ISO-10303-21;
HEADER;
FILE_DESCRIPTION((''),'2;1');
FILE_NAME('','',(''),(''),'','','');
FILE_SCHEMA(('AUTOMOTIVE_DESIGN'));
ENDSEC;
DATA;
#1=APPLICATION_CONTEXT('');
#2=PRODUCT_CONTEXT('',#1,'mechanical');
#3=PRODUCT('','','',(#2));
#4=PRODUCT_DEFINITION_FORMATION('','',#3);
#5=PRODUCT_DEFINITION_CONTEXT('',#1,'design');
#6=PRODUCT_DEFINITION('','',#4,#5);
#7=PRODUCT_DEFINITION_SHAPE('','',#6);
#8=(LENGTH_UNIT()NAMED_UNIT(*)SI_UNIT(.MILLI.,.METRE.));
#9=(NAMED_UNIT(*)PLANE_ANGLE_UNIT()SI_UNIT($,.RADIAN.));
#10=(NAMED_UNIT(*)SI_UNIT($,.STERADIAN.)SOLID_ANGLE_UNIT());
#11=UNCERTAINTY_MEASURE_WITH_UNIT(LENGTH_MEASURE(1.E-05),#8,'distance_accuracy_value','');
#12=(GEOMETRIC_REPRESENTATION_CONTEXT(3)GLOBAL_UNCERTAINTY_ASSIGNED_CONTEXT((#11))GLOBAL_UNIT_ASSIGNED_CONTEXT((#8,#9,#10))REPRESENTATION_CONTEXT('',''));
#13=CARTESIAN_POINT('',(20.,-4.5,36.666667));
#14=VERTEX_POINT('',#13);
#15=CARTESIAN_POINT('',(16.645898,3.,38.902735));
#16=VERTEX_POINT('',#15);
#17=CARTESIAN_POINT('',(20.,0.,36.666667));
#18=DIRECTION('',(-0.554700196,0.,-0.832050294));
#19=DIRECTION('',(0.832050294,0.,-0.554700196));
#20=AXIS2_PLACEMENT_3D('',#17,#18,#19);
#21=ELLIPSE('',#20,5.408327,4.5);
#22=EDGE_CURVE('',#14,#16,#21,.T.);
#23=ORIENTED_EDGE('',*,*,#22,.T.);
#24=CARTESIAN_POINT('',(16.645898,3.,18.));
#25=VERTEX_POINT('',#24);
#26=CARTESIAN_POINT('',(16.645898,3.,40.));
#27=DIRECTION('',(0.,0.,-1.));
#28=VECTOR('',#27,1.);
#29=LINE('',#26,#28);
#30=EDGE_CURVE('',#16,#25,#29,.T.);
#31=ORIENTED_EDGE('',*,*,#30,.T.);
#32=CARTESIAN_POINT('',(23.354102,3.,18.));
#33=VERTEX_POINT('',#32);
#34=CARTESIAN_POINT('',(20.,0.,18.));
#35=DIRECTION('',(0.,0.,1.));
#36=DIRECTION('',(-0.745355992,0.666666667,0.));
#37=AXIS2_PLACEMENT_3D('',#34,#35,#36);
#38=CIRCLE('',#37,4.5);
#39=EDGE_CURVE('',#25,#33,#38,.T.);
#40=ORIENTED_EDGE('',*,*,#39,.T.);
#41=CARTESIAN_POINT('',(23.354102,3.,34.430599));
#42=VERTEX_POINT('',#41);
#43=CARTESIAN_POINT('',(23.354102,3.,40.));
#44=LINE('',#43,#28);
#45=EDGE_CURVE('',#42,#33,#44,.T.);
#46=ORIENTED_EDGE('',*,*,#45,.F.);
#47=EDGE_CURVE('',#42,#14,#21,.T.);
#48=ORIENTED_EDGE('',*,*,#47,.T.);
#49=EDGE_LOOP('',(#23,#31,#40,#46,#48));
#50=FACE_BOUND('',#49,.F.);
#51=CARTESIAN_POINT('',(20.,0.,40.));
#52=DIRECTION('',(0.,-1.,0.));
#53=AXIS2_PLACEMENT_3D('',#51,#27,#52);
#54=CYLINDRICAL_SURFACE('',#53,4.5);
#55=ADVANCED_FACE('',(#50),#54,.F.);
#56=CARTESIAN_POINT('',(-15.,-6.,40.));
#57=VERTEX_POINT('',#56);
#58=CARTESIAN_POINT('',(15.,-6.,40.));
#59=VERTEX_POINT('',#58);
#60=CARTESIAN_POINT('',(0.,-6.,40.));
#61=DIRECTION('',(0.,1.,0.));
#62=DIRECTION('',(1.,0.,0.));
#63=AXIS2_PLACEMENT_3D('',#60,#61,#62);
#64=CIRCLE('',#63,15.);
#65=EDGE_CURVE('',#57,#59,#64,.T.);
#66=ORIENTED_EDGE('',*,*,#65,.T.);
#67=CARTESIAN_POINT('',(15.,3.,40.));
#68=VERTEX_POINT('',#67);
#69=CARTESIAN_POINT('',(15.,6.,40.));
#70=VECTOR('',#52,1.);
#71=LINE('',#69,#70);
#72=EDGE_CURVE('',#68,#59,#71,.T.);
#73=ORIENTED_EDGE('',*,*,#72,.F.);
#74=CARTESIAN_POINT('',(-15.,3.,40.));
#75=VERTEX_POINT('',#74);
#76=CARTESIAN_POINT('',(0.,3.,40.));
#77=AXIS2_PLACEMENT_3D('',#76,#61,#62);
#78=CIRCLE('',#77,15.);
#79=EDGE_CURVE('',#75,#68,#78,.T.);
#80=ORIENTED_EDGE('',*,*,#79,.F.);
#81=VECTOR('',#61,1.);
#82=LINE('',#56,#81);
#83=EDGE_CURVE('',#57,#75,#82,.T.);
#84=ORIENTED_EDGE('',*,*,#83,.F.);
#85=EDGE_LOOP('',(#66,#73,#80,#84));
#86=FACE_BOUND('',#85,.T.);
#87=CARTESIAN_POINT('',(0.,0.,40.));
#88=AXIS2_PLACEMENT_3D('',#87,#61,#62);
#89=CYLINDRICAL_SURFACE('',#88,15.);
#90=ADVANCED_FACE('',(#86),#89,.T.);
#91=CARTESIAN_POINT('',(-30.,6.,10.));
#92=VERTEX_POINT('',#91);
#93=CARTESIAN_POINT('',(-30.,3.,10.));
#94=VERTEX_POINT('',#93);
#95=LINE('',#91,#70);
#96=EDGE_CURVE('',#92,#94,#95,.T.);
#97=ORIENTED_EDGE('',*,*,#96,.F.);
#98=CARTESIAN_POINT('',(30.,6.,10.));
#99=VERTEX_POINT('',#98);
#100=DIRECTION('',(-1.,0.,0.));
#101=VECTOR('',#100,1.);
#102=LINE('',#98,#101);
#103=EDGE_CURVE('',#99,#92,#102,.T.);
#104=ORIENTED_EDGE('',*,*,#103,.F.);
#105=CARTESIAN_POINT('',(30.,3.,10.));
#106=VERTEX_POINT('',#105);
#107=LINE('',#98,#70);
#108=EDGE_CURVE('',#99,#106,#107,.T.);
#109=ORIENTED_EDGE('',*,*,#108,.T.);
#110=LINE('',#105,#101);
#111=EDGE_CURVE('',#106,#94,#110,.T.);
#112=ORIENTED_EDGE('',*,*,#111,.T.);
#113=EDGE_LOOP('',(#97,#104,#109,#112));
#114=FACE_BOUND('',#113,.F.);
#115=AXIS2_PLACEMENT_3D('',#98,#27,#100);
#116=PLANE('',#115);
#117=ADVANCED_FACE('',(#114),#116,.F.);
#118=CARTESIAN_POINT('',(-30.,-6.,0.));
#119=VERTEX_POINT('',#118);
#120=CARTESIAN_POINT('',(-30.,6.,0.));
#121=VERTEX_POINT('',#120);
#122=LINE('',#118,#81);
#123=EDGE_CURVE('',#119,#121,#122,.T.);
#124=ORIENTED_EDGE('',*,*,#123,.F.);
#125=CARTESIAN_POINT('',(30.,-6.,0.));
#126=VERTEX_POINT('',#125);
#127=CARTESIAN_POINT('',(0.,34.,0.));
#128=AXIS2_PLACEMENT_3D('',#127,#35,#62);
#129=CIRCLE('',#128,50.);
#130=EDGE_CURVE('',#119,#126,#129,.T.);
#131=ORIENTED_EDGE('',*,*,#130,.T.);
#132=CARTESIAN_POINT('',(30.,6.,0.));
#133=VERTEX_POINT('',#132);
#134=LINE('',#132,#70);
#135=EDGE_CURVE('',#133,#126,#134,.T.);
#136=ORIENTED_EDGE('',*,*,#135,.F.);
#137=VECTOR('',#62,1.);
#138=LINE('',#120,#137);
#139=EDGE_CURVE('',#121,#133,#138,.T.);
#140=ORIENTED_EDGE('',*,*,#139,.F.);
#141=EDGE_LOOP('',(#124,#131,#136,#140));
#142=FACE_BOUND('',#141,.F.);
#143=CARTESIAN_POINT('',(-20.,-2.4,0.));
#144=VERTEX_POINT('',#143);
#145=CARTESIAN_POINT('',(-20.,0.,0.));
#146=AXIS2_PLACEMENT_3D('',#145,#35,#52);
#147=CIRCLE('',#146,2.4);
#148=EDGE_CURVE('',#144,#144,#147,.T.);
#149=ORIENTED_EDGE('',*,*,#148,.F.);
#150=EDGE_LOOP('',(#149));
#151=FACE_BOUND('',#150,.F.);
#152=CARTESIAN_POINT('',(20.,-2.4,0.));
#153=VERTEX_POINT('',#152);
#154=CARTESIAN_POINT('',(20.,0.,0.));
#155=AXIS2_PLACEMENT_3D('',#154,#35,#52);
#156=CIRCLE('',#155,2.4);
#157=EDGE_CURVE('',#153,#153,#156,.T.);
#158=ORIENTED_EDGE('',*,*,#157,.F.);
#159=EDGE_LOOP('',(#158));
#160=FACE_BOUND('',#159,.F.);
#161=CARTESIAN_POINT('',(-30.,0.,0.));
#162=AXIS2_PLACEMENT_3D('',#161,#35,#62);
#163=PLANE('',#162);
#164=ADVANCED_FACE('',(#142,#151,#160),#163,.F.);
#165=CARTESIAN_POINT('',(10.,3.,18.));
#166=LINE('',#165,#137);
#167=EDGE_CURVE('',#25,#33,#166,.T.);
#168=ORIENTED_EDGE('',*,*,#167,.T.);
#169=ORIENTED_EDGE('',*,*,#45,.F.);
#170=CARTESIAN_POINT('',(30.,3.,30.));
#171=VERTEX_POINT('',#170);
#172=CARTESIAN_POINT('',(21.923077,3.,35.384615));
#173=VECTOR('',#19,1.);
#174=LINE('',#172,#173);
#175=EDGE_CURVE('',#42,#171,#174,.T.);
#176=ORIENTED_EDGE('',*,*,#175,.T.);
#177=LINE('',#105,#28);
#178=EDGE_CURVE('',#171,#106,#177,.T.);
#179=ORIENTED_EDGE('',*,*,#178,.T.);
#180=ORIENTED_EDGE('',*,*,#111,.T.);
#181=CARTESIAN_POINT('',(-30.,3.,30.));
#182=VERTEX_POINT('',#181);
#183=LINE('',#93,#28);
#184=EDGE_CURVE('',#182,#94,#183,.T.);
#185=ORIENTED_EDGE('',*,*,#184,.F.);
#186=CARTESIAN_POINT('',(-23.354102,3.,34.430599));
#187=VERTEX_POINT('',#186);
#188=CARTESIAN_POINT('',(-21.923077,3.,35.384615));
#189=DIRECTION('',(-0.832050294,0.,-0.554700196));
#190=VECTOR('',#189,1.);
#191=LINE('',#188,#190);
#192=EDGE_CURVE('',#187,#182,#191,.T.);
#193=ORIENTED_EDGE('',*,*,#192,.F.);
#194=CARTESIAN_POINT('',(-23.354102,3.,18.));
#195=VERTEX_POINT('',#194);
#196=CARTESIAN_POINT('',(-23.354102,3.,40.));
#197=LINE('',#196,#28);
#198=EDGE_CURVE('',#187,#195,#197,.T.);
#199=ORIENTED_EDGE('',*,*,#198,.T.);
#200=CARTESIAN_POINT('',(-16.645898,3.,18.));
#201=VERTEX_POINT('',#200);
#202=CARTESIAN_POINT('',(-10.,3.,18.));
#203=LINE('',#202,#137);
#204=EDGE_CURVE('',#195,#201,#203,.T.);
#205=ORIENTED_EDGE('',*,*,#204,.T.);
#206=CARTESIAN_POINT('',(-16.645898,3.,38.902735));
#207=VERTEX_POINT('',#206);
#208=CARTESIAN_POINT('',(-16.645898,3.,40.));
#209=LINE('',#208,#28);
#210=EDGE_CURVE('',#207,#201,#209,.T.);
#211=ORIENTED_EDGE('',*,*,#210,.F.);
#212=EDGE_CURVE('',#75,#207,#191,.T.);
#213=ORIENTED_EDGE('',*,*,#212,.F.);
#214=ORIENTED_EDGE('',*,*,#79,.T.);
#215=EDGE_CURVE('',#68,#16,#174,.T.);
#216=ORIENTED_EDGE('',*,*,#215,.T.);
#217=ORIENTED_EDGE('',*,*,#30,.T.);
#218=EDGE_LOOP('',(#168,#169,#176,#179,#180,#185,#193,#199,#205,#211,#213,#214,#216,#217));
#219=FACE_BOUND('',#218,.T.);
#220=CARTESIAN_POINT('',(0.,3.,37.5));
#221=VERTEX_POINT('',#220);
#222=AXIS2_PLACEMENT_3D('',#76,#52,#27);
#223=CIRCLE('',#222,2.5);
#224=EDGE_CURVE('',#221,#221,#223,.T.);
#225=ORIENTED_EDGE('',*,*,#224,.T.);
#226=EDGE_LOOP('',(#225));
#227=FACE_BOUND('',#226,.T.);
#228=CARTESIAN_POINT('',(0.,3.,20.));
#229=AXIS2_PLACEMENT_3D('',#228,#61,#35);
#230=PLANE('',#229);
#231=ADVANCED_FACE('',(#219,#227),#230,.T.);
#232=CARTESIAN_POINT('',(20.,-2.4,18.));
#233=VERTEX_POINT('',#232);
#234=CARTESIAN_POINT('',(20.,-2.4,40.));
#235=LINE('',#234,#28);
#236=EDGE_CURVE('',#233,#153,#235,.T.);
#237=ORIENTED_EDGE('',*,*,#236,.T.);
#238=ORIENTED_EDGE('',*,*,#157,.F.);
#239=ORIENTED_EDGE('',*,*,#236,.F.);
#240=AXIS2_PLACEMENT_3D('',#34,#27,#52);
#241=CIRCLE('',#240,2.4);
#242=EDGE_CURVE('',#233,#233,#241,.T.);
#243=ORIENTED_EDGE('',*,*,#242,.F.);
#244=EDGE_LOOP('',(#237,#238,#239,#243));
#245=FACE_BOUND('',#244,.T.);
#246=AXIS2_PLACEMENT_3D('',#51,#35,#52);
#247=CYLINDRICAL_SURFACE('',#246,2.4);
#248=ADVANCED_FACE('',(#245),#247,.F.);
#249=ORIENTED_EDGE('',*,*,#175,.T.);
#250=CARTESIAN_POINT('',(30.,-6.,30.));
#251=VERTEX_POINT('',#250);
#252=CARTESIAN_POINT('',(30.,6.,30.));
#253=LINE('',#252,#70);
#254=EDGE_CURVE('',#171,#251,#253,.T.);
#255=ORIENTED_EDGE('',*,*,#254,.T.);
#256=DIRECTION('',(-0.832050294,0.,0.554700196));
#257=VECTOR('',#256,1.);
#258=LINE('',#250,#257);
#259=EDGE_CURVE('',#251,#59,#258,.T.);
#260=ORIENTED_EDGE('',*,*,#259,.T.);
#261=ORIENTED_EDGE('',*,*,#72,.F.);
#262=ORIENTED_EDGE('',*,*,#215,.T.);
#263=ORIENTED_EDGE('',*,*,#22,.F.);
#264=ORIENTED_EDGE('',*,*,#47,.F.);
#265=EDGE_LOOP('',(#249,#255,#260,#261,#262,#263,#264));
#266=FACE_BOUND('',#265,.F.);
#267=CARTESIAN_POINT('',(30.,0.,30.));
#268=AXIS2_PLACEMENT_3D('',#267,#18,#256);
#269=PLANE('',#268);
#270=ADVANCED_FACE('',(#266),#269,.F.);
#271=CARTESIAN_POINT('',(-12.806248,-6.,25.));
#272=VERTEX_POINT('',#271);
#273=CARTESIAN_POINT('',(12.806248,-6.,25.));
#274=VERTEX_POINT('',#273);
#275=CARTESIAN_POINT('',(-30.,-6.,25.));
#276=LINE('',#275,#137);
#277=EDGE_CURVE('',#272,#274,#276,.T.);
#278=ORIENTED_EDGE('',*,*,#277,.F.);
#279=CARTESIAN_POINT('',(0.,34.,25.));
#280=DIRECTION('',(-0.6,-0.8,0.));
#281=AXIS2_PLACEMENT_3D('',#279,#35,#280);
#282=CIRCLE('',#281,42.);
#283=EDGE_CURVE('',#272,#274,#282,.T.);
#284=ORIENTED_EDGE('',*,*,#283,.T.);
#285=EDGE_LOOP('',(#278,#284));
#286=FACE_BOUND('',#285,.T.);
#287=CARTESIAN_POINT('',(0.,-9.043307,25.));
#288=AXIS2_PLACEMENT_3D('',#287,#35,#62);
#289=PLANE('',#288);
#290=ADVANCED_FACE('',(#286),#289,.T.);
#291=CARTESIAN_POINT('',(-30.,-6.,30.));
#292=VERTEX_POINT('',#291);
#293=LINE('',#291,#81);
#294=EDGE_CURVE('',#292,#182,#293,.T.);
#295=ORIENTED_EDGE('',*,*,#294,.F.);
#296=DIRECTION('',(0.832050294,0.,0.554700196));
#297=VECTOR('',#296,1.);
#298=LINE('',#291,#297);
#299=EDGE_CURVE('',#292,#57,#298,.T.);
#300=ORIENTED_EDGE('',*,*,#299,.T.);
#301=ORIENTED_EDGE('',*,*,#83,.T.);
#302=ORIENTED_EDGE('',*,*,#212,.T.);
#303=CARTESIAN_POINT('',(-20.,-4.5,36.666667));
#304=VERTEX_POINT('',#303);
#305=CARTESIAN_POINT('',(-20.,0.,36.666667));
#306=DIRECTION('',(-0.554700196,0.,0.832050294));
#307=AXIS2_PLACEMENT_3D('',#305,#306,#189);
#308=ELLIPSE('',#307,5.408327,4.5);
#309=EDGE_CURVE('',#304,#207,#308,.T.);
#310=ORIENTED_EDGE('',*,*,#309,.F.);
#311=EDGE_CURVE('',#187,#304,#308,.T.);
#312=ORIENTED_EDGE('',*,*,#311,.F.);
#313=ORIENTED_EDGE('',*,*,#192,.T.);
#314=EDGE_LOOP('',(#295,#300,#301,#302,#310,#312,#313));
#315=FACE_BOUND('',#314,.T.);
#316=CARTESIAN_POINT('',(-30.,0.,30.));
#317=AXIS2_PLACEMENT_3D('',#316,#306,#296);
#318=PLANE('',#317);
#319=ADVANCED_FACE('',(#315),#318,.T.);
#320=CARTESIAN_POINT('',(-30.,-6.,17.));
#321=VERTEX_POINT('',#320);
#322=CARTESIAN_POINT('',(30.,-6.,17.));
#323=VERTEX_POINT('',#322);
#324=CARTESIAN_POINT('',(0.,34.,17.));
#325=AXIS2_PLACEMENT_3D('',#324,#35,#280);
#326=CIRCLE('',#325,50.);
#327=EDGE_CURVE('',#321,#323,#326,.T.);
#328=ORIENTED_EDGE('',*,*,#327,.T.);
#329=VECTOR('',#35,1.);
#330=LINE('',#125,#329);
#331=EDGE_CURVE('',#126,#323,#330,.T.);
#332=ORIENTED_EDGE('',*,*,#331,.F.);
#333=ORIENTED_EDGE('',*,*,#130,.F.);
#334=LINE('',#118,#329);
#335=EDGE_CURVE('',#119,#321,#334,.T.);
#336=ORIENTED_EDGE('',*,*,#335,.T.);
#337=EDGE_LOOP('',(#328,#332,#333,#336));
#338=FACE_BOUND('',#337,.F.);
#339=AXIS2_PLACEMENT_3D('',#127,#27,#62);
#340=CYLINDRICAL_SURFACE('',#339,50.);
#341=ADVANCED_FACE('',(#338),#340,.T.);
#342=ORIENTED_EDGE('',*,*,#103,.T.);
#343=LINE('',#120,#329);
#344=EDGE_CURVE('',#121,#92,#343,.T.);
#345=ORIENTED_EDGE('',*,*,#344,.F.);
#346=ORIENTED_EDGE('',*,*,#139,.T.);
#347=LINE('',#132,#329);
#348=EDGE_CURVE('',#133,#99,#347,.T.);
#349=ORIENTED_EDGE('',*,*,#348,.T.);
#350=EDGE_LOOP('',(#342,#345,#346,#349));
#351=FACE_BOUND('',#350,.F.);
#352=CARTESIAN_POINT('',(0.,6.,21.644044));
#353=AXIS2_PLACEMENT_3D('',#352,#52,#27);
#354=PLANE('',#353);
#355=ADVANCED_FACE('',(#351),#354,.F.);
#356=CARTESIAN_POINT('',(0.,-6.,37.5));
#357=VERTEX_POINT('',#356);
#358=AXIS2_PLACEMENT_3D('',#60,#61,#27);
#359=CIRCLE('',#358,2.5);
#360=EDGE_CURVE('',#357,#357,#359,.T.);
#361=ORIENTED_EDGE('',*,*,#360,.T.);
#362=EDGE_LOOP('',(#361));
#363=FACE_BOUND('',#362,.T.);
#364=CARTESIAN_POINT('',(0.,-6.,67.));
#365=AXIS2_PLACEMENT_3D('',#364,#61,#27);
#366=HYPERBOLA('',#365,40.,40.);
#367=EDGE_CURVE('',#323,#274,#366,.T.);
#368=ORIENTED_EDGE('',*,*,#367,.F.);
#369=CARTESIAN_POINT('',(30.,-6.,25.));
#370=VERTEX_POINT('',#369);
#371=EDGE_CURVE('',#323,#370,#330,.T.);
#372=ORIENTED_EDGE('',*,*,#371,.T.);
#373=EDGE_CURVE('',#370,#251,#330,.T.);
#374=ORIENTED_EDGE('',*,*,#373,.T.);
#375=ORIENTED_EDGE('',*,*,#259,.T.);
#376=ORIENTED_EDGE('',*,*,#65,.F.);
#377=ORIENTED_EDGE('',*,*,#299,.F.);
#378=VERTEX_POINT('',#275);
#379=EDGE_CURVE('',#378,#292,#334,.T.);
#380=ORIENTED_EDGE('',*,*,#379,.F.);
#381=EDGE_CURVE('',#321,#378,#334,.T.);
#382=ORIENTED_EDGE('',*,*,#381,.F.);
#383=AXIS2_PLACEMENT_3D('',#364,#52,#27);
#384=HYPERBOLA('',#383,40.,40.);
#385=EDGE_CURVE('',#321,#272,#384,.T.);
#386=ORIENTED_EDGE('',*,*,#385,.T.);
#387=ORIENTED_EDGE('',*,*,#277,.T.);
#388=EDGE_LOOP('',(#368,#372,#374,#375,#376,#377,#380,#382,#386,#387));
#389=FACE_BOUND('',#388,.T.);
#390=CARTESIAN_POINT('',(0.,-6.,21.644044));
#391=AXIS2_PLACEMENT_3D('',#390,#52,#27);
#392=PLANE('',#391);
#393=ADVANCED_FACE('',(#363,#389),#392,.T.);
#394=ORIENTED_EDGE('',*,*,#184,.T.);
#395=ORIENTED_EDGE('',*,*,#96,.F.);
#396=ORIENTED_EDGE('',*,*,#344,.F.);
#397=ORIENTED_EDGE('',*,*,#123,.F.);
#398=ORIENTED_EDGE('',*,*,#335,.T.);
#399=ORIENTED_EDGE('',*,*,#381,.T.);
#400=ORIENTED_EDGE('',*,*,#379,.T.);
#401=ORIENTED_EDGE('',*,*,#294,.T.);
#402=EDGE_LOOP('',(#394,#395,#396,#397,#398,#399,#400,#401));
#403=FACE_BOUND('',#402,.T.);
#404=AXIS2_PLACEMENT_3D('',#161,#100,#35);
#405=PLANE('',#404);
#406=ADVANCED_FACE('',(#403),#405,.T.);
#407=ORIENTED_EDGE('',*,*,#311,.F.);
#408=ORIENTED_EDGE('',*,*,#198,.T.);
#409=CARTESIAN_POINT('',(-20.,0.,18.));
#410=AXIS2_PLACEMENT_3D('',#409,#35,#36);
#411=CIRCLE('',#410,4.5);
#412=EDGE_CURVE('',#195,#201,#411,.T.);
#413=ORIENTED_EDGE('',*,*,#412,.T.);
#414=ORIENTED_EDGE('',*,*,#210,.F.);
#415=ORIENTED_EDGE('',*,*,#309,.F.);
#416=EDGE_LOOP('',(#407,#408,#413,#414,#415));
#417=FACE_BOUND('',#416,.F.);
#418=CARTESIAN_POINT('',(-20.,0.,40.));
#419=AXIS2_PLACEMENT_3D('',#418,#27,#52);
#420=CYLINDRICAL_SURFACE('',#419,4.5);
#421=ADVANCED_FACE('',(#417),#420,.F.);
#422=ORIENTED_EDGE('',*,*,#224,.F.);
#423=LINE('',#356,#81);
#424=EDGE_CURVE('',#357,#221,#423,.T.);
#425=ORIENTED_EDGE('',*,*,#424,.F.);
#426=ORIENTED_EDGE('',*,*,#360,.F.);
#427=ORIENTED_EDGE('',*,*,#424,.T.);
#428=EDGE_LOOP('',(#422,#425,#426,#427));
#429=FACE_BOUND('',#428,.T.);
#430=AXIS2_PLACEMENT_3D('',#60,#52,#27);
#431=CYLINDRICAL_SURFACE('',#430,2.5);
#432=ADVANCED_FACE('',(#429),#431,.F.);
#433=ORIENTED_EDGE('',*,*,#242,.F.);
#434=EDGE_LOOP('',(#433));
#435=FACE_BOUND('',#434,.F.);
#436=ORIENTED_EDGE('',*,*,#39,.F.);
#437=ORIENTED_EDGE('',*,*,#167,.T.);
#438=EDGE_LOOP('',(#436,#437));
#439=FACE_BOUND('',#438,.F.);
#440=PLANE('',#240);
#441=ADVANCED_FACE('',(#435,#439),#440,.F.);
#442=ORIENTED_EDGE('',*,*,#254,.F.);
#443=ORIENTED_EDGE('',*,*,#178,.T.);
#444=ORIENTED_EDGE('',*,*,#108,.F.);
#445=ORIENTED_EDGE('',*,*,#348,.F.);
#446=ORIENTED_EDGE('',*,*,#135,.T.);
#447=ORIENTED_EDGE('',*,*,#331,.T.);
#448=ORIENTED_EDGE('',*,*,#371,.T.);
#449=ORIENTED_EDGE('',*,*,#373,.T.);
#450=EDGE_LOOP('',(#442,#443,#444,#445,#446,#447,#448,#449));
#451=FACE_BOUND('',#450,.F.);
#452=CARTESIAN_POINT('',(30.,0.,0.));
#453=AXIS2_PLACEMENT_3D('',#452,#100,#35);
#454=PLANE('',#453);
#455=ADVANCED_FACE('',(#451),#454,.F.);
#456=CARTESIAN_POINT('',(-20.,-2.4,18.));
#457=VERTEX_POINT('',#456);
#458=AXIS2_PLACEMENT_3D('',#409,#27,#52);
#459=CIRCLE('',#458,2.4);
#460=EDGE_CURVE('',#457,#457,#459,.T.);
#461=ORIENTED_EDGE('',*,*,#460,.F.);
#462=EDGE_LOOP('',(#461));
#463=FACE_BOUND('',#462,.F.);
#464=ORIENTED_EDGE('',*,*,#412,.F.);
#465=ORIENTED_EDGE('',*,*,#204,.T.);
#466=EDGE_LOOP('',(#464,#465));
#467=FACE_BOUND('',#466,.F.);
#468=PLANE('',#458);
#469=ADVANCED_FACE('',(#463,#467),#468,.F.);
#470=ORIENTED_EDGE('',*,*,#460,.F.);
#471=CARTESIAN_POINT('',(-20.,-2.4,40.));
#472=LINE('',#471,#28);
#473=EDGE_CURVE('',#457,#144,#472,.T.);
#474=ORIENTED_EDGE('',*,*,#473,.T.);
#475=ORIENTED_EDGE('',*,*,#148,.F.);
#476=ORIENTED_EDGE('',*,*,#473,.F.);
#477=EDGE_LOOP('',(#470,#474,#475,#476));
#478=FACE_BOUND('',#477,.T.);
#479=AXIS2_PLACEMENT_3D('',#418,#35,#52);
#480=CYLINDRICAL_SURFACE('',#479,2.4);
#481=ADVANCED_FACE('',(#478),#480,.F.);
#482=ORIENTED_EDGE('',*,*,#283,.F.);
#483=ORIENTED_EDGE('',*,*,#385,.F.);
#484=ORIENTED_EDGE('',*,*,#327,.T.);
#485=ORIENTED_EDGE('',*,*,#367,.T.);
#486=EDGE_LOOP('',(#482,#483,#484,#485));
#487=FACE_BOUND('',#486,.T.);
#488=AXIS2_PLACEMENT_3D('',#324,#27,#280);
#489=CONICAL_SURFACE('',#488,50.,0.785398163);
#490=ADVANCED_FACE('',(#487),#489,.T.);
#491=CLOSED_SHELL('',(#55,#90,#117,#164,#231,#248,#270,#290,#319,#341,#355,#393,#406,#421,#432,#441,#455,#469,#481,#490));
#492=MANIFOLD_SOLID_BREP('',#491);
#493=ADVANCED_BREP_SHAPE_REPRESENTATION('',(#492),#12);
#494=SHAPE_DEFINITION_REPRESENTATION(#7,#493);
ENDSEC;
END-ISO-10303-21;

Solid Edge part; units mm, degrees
sketch "Sketch1" plane through (0, 0, 0) normal (0, -1, 0) x (1, 0, 0)
  line L0 (-30, 0) -> (30, 0)
  line L1 (30, 0) -> (30, 30)
  line L2 (30, 30) -> (15, 40)
  arc A0 (-15, 40) -> (15, 40) centre (0, 40) cw
  line L3 (-30, 30) -> (-15, 40)
  line L4 (-30, 0) -> (-30, 30)
  dimension "D1" = 60
  dimension "D2" = 30
  dimension "D3" = 15
  dimension "D4" = 40
extrude "Protrusion1" add sketch "Sketch1" along normal mid plane 12
hole "Hole_1" at (0, -6, 40) direction (0, 1, 0) diameter 5 end up to next
hole "Hole_2" at (-20, 0, 40) direction (0, 0, -1) diameter 4.8 end up to next counterbore diameter 9 counterbore depth 22
hole "Hole1" at (20, 0, 40) direction (0, 0, -1) diameter 4.8 end up to next counterbore diameter 9 counterbore depth 22
sketch "Sketch2" plane through (0, 6, 20) normal (0, 1, 0) x (-1, 0, 0)
  line L0 (-30, -10) -> (30, -10)
  dimension "D1" = 10
extrude "ExtrudedCutout_1" cut sketch "Sketch2" against normal blind 3 material side at (0, 6, 10.05)
sketch "Sketch3" plane through (0, 0, 0) normal (0, 0, -1) x (1, 0, 0)
  arc A0 (-30, 6) -> (30, 6) centre (0, -34) cw
  line L0 (-30, 6) -> (30, 6)
  dimension "D1" = 50
extrude "ExtrudedProtrusion_2" add sketch "Sketch3" against normal blind 25
chamfer "Chamfer_1" distance 8 angle 45 1 edges at (0, -16, 25)
properties material "Polyethylene, low density"
